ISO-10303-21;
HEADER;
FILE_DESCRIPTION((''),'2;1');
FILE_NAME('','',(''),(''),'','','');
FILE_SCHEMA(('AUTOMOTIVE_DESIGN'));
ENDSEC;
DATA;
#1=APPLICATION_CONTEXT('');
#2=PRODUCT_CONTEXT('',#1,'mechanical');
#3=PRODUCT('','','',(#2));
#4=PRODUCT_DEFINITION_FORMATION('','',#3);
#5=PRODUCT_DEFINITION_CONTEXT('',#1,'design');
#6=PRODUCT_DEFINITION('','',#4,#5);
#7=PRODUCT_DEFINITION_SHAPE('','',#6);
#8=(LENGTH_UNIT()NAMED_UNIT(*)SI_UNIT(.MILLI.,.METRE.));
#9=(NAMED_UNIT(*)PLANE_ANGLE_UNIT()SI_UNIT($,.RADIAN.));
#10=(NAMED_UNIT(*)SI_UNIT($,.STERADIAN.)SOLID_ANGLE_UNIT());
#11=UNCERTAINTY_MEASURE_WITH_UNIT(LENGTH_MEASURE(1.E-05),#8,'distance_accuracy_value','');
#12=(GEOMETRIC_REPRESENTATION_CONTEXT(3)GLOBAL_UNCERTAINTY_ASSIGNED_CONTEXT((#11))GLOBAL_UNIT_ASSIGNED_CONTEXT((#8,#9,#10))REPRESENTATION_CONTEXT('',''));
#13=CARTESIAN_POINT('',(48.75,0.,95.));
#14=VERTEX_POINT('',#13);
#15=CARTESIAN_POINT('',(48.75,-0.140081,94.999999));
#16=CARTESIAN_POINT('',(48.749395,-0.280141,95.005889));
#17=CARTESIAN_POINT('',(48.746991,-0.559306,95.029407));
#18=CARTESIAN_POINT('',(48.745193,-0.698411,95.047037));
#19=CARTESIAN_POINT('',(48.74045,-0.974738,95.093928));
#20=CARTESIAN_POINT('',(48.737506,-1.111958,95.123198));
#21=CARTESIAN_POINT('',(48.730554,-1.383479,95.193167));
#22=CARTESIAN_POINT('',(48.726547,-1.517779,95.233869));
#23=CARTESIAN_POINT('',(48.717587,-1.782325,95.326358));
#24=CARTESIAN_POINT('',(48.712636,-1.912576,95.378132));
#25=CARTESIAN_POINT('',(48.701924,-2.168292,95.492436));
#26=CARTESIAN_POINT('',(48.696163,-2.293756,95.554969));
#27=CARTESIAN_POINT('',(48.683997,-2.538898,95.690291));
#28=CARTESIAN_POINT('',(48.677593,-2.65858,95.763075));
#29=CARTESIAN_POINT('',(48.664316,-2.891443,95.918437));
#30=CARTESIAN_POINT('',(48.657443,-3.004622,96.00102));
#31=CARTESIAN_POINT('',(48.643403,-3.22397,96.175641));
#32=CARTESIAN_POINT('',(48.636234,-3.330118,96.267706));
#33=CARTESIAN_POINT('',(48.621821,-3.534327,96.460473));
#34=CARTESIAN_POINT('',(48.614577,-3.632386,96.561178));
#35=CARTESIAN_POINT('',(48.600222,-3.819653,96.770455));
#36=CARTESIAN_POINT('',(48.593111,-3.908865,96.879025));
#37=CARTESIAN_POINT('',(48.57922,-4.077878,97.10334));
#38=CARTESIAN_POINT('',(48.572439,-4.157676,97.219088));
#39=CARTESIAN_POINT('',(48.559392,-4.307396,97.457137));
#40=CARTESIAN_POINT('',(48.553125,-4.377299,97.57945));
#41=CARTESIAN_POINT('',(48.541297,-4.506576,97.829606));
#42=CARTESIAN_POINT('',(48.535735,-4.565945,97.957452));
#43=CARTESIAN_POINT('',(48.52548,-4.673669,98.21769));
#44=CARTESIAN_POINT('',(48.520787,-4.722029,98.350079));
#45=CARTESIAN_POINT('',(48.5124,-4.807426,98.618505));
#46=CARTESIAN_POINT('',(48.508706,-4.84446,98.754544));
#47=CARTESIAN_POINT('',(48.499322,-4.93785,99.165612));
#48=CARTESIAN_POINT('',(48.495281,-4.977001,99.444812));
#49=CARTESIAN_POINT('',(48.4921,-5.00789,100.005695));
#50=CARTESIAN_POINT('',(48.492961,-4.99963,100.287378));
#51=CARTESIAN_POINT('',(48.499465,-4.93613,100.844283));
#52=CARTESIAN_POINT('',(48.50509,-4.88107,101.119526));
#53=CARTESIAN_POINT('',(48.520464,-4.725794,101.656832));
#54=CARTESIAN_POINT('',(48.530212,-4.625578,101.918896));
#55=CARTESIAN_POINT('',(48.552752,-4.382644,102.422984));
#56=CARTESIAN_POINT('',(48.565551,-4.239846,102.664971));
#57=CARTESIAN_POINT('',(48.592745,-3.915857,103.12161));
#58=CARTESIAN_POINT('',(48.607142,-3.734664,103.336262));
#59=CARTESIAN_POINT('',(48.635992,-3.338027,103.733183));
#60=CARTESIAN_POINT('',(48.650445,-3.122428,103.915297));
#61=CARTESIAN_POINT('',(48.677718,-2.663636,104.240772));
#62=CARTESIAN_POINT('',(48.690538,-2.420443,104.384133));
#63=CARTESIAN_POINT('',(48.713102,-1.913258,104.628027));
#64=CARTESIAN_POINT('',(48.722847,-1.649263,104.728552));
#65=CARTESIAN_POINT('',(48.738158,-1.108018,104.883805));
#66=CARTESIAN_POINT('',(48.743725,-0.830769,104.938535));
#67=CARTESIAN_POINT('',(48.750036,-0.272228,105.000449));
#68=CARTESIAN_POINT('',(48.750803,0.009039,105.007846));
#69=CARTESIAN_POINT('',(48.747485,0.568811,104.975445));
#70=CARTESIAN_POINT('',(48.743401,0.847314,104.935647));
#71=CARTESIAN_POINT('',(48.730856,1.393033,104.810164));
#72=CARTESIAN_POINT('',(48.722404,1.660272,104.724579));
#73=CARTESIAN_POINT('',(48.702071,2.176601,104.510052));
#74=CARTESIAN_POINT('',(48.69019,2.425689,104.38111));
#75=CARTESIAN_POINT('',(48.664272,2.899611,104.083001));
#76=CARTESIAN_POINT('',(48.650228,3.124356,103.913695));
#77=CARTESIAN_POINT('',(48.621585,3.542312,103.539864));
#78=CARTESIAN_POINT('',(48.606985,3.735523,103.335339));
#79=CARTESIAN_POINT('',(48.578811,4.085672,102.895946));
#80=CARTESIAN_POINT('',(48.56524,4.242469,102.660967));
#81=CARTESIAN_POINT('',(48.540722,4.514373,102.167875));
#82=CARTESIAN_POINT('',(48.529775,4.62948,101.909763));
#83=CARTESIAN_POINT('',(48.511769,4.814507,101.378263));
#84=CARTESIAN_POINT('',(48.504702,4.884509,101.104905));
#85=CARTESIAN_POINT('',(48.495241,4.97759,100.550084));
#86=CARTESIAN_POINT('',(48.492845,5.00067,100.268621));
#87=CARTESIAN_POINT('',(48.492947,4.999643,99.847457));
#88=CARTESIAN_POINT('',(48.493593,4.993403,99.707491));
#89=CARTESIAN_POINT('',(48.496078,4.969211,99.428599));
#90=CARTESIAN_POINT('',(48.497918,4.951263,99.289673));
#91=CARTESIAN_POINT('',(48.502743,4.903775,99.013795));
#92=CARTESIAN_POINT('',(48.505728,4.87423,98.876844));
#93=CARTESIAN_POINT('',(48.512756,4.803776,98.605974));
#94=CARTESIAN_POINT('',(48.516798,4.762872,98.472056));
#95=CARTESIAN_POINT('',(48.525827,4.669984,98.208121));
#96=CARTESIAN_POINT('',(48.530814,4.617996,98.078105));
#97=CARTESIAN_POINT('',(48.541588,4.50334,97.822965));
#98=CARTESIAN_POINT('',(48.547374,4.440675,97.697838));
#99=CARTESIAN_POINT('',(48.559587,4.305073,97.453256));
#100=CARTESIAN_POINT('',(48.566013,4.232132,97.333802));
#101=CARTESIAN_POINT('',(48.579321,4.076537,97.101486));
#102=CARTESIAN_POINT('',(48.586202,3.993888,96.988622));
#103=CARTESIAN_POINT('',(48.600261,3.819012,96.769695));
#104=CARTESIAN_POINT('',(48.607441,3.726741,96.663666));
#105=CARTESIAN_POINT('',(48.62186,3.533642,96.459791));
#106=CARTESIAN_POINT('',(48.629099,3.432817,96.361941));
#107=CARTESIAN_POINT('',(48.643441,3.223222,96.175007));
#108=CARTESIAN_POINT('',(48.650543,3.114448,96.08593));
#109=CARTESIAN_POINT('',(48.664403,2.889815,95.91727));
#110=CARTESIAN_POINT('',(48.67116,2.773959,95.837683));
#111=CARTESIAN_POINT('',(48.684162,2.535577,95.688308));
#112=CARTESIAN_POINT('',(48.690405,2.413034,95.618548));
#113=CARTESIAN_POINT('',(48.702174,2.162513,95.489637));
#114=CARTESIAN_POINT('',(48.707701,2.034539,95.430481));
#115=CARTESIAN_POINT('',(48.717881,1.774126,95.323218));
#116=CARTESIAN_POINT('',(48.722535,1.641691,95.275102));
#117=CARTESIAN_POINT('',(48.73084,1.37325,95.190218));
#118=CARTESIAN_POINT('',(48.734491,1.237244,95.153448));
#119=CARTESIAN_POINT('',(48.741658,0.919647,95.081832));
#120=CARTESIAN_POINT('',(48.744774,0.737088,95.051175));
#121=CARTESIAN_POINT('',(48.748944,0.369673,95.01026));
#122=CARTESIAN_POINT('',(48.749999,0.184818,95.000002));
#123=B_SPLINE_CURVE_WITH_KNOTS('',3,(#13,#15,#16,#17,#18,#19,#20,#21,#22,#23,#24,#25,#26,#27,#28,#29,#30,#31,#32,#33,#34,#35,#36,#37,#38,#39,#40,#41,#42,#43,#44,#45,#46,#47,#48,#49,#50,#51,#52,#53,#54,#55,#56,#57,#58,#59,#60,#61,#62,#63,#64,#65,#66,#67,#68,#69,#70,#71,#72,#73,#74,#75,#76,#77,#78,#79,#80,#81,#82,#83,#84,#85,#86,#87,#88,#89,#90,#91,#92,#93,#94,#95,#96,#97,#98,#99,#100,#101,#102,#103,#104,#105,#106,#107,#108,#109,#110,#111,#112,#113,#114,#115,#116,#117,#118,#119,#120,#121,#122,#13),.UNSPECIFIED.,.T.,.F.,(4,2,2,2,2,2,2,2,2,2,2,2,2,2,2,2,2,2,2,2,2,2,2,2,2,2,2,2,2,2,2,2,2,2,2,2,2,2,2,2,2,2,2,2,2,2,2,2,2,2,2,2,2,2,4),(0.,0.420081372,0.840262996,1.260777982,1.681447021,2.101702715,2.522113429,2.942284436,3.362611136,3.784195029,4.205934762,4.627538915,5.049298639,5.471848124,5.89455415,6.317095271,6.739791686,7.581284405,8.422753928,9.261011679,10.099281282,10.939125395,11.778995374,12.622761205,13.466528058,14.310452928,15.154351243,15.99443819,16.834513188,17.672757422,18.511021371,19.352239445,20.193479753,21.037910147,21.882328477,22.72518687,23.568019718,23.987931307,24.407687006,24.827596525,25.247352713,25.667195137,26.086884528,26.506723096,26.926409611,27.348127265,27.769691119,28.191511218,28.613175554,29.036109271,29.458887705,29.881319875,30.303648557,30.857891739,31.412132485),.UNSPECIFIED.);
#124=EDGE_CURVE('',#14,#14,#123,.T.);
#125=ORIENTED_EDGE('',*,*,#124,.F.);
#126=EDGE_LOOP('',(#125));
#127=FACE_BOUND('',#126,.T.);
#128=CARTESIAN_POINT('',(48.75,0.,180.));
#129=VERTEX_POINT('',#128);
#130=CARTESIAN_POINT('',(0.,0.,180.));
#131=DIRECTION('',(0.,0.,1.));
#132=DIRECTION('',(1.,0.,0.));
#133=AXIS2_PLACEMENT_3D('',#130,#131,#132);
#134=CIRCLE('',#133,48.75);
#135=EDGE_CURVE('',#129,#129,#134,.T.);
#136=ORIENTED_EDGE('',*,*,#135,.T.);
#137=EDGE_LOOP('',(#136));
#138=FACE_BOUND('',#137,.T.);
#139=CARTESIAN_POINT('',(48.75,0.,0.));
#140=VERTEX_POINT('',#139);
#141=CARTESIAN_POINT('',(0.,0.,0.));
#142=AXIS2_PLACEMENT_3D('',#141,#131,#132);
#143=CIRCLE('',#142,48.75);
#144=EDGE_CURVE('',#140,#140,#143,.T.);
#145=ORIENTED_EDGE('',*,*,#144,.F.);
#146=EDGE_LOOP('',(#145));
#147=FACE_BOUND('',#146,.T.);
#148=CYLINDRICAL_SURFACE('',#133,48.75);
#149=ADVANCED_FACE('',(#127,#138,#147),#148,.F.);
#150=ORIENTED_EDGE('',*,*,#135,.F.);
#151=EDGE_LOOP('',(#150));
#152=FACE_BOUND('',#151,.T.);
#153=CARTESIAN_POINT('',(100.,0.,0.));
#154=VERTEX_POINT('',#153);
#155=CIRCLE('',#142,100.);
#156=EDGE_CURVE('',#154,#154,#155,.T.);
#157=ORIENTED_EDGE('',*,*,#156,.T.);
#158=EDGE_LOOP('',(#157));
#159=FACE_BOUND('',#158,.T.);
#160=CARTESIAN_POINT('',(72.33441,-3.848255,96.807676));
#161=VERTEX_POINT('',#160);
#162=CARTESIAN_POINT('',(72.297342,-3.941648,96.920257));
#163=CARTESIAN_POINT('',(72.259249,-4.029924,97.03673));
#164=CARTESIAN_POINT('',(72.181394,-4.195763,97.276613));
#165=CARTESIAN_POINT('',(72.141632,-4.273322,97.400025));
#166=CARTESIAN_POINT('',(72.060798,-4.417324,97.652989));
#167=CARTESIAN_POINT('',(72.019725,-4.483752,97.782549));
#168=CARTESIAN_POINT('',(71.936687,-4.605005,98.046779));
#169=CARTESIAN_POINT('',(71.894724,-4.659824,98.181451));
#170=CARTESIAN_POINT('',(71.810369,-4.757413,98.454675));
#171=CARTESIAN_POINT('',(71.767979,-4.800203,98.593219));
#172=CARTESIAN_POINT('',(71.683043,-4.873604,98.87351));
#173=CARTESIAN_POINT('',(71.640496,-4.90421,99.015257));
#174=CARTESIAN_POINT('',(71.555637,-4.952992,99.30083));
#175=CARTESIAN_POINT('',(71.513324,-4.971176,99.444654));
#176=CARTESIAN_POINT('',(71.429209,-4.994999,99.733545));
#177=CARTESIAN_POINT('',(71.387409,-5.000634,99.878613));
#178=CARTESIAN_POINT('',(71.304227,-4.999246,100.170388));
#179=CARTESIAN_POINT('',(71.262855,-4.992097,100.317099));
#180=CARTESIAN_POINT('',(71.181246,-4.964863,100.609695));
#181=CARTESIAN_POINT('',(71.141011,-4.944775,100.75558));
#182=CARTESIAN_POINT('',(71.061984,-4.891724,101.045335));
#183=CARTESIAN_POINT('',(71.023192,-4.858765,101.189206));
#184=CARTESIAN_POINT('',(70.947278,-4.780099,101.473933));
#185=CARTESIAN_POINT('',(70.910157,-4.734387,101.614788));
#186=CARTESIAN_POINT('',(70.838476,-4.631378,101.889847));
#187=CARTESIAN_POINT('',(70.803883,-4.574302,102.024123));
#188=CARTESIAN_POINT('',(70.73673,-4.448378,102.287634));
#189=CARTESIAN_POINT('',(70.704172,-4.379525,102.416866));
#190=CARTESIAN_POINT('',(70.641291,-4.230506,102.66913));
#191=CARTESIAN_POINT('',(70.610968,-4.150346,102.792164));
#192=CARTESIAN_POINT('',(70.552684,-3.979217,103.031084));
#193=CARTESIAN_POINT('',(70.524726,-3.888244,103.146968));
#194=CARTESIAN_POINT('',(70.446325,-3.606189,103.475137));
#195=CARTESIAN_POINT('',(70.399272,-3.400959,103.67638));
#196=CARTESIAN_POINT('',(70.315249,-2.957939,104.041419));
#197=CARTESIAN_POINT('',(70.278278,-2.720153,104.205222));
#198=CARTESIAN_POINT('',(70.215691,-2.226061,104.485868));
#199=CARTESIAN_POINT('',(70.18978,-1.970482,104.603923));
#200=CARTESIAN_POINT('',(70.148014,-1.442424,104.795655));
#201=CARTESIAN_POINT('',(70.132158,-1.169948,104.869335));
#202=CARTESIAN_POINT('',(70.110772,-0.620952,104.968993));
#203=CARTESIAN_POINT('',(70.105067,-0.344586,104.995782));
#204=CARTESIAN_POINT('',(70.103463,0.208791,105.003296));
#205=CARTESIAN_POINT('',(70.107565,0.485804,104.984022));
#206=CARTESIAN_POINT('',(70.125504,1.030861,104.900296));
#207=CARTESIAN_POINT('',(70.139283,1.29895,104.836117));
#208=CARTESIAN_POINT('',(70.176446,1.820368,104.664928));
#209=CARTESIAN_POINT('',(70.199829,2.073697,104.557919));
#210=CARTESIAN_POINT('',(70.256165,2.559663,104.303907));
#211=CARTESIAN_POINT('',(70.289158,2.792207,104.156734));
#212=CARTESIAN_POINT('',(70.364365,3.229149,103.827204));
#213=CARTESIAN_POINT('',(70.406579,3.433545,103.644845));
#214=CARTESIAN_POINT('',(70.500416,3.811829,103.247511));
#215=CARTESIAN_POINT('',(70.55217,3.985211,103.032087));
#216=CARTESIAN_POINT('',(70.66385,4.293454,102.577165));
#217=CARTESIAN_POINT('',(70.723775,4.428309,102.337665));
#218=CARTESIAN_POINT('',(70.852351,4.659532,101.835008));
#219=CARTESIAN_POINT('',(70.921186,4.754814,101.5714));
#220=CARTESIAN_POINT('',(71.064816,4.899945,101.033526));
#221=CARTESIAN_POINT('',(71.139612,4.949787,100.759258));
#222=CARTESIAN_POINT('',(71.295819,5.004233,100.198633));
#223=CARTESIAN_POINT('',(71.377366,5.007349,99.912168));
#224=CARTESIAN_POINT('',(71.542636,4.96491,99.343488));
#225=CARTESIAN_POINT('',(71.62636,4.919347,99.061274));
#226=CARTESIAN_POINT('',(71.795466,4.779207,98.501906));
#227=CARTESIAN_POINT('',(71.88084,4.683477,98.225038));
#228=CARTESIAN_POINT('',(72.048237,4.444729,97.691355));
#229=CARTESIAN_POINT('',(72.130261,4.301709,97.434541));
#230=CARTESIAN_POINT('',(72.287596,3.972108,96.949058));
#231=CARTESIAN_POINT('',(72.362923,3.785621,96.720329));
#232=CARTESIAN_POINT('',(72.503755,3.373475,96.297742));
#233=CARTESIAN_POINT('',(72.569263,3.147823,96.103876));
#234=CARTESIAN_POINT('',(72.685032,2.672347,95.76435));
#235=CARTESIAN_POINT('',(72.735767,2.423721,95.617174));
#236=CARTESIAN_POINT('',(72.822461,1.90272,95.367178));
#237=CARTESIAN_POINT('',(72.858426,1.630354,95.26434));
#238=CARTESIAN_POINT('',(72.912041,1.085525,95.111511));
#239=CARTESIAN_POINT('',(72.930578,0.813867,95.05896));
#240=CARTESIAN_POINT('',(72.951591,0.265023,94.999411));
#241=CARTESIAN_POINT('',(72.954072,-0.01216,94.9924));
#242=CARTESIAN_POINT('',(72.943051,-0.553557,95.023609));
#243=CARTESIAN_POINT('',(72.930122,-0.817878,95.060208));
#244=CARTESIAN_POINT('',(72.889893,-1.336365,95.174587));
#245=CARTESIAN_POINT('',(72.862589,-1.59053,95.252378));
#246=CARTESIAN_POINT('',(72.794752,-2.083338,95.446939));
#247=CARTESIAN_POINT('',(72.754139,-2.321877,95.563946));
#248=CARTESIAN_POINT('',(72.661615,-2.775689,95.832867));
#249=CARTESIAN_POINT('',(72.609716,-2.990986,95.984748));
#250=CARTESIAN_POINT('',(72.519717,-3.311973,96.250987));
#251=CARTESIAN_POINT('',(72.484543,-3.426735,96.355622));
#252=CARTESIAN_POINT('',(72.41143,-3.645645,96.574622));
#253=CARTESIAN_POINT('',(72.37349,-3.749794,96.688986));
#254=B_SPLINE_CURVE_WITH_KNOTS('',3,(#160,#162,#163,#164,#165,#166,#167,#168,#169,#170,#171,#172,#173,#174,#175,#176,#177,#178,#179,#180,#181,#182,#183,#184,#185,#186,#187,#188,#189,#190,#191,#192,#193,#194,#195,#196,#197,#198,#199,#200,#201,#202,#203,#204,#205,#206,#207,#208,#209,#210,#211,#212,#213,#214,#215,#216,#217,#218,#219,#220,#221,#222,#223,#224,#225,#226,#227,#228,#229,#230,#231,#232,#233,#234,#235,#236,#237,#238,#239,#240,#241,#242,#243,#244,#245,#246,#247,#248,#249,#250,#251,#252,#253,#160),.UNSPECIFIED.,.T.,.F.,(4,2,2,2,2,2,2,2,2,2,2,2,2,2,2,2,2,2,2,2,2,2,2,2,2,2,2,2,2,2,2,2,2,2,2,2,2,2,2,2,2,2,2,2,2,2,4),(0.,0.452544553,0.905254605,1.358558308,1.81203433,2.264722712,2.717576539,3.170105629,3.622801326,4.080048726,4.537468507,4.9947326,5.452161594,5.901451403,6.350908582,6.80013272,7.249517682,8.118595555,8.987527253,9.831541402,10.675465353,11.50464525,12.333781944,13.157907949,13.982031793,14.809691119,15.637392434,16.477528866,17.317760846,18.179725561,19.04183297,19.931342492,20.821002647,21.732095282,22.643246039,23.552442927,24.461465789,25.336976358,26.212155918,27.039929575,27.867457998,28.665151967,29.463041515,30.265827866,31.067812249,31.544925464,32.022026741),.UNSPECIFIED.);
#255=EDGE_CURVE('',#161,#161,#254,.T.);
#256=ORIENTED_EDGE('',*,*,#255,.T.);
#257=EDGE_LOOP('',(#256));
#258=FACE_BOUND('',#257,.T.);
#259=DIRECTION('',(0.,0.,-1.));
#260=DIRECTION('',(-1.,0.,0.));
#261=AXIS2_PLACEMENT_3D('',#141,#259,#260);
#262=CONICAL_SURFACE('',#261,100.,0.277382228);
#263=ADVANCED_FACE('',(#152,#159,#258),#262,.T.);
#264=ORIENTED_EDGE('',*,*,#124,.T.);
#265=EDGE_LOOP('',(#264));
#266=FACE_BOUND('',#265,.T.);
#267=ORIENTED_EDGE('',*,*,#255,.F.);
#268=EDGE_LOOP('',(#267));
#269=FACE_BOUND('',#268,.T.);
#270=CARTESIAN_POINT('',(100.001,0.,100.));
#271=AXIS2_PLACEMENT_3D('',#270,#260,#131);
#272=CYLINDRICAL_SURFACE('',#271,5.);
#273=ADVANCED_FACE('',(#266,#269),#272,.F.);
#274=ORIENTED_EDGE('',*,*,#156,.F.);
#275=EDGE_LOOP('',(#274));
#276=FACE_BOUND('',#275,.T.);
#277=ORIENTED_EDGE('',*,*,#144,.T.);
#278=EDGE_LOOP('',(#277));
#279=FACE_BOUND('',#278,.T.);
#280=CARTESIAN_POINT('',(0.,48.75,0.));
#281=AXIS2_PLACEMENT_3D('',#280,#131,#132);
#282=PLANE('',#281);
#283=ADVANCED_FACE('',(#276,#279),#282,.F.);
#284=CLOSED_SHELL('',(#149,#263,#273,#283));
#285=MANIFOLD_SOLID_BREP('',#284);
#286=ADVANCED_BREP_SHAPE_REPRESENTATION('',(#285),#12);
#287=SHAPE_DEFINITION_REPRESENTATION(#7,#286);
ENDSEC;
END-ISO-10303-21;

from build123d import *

# Parameters (mm, degrees)
ENL_V_MAT_EXTRU_1_REACH = 230.91
ESQUISSE7_R             = 5


with BuildPart() as part:
    # Esquisse4 → Révolution1 (revolve)
    with BuildSketch(Plane(origin=(0, 0, 0), x_dir=(0, 0, -1), z_dir=(1, 0, 0)), mode=Mode.PRIVATE) as r_volution1_sk:
        Polygon((-180, 48.75), (0, 100), (0, 48.75), align=None)
    revolve(r_volution1_sk.sketch.rotate(Axis((0, 0, 180), (0, 0, -1)), 90), axis=Axis((0, 0, 180), (0, 0, -1)))

    # Enlèv. mat.-Extru.1: up to this cone (the profile starts inside it)
    enl_v_mat_extru_1_end = Plane(origin=(0, 0, 100), z_dir=(0, 0, -1)).offset(-251.219511195) * Cone(1e-06, 157.780895062, 554.157288973, align=(Align.CENTER, Align.CENTER, Align.MIN), mode=Mode.PRIVATE)
    # Esquisse7 → Enlèv. mat.-Extru.1 (cut, up to the surface)
    with BuildSketch(Plane(origin=(0, 0, 0), x_dir=(0, 0, -1), z_dir=(1, 0, 0)), mode=Mode.PRIVATE) as enl_v_mat_extru_1_sk1:
        with Locations(Location((-100, 0, 0), (0, 0, 180))):
            Circle(ESQUISSE7_R)
    enl_v_mat_extru_1_tool1 = extrude(enl_v_mat_extru_1_sk1.sketch, amount=ENL_V_MAT_EXTRU_1_REACH, mode=Mode.PRIVATE) & enl_v_mat_extru_1_end
    add(enl_v_mat_extru_1_tool1.solids().sort_by_distance((0, 0, 100))[0], mode=Mode.SUBTRACT)


solid = part.part
